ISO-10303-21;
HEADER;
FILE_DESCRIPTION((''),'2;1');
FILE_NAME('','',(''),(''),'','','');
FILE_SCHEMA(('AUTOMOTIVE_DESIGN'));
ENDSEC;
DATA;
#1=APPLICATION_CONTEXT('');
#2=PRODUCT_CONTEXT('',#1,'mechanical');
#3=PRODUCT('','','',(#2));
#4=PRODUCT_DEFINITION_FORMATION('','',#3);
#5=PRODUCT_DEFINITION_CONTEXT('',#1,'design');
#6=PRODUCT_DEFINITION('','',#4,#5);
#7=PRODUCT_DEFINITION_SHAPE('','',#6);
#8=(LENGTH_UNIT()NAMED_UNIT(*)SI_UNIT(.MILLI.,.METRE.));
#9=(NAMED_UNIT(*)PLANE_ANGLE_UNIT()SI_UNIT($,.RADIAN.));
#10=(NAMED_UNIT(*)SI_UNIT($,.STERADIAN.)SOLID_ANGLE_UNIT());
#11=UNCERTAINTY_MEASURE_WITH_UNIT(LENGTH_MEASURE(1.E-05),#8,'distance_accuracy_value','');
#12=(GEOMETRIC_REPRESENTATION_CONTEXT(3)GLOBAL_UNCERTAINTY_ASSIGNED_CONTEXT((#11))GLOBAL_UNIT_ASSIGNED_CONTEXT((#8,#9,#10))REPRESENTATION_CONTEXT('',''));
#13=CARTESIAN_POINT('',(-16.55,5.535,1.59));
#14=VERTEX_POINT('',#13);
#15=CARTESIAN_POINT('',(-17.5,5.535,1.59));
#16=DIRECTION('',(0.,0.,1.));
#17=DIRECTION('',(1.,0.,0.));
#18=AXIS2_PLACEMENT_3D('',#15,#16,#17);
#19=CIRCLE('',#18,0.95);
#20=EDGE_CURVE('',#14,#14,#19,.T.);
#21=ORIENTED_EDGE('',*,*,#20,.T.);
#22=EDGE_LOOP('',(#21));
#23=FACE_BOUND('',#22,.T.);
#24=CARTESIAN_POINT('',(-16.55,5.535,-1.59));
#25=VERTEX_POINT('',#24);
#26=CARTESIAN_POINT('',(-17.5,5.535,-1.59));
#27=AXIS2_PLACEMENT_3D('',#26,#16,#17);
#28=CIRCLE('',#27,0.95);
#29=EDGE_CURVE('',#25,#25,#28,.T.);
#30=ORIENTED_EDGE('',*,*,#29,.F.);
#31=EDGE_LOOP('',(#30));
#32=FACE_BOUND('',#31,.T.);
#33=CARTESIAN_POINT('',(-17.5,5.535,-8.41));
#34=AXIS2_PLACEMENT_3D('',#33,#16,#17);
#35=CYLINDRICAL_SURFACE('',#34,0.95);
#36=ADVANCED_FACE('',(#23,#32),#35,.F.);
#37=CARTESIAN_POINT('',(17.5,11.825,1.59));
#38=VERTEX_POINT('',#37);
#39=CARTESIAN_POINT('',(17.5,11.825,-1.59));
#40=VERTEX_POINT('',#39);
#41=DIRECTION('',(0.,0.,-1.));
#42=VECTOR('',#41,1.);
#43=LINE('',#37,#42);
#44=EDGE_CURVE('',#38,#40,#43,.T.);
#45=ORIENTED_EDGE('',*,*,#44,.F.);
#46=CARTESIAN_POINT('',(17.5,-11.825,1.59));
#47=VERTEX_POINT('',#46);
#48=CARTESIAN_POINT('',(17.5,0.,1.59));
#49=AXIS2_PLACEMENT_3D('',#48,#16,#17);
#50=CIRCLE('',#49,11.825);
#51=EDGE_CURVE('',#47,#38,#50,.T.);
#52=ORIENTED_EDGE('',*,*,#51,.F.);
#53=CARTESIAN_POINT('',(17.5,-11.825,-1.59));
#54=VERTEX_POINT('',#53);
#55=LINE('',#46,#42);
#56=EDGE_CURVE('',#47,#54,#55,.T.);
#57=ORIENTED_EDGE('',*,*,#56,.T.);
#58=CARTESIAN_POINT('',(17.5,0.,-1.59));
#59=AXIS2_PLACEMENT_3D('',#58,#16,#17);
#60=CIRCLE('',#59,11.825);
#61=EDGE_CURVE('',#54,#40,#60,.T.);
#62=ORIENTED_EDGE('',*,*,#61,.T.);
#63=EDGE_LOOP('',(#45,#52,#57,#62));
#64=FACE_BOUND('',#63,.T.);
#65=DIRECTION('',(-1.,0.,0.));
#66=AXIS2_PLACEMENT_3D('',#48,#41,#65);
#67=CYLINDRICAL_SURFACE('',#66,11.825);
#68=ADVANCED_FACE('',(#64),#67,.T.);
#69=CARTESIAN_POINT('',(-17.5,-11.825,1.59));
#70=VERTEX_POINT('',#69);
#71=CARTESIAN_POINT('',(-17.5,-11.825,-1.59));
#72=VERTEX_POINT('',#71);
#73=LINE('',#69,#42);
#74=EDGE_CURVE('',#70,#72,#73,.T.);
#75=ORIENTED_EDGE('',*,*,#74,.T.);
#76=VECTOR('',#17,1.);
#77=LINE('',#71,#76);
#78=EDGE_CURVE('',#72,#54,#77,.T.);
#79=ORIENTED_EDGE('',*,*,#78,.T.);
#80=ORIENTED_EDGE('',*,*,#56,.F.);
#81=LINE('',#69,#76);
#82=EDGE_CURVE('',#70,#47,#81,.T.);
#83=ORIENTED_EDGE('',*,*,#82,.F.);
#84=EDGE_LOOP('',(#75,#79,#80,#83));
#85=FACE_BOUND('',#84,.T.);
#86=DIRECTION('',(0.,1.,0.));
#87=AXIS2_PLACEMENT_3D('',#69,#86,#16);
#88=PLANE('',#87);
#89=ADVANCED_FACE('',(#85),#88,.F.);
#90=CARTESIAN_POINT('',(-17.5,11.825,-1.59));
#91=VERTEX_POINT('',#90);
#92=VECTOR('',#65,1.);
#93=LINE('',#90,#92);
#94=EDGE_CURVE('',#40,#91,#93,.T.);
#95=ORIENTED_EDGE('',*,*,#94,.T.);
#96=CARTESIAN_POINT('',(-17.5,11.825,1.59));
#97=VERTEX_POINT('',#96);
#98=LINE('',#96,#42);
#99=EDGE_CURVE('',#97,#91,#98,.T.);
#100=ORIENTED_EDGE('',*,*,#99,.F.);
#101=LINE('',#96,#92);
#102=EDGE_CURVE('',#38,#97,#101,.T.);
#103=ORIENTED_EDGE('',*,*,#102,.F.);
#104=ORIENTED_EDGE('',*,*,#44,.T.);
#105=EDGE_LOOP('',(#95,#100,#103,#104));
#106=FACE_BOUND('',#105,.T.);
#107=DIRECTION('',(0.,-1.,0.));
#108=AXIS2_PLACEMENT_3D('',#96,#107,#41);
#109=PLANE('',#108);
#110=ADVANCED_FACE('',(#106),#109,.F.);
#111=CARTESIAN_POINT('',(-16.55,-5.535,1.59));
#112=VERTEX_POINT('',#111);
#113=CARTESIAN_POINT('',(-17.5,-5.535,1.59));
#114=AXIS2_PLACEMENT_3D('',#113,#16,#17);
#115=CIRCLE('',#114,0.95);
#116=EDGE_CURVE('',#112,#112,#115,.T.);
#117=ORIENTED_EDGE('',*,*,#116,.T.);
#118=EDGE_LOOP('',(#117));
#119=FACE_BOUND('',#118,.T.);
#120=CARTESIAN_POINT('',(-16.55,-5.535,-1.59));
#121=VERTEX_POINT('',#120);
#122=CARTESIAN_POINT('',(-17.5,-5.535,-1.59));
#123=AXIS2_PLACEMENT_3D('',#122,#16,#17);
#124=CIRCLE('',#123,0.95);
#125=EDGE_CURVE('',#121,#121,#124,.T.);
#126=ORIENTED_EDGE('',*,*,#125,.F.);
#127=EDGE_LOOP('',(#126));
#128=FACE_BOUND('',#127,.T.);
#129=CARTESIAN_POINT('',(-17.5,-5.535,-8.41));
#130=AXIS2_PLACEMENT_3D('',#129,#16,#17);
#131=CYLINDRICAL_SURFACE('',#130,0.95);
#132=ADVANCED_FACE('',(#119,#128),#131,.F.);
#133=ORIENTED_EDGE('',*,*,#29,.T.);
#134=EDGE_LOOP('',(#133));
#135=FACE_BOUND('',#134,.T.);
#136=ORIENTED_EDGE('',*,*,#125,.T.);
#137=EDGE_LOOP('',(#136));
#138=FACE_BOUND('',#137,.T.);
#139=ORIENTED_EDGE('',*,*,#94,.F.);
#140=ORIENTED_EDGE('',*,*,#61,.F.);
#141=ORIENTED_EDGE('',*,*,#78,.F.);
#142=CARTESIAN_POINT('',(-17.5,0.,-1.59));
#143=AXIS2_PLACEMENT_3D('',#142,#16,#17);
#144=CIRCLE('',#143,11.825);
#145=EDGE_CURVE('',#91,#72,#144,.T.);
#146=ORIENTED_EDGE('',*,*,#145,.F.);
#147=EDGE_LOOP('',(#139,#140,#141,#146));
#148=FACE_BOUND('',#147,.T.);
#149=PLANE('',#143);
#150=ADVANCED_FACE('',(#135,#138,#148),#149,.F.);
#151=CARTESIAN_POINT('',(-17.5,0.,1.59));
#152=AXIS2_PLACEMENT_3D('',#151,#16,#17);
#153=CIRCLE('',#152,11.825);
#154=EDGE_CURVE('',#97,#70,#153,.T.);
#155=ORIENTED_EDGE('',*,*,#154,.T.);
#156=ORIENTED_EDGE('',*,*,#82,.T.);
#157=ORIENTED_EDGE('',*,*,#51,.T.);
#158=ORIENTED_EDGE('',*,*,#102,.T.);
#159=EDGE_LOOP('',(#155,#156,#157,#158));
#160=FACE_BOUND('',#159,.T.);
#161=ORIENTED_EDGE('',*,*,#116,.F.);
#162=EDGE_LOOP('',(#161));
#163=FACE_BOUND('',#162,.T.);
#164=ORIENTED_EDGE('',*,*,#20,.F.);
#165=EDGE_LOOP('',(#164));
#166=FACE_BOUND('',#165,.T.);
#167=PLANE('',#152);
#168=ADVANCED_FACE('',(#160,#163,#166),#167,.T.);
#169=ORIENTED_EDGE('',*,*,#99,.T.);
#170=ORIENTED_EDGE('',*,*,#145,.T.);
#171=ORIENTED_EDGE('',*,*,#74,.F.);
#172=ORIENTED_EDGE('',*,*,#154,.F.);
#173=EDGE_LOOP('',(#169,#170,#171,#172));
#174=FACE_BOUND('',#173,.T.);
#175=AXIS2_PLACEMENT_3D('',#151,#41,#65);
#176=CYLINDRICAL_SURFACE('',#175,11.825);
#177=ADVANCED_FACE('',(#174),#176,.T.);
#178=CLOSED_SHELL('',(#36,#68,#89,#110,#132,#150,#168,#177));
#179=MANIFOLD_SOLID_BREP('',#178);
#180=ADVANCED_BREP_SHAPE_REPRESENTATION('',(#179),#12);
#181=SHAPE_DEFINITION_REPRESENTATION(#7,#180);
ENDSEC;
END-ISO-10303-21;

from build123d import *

# Parameters (mm, degrees)
BOSS_EXTRUDE1_DEPTH = 1.59
SKETCH4_R           = 0.95
CUT_EXTRUDE1_DEPTH  = 10


with BuildPart() as part:
    # Sketch3 → Boss-Extrude1 (new, symmetric)
    with BuildSketch(Plane.XY):
        with BuildLine():
            Line((-17.5, 11.825), (17.5, 11.825))
            ThreePointArc((17.5, 11.825), (29.325, 0), (17.5, -11.825))
            Line((17.5, -11.825), (-17.5, -11.825))
            ThreePointArc((-17.5, -11.825), (-29.325, 0), (-17.5, 11.825))
        make_face()
    extrude(amount=BOSS_EXTRUDE1_DEPTH, both=True)

    # Sketch4 → Cut-Extrude1 (cut)
    with BuildSketch(Plane.XY.offset(1.59)):
        with Locations((-17.5, 5.535)):
            Circle(SKETCH4_R)
        with Locations((-17.5, -5.535)):
            Circle(SKETCH4_R)
    extrude(amount=-CUT_EXTRUDE1_DEPTH, mode=Mode.SUBTRACT)


solid = part.part
